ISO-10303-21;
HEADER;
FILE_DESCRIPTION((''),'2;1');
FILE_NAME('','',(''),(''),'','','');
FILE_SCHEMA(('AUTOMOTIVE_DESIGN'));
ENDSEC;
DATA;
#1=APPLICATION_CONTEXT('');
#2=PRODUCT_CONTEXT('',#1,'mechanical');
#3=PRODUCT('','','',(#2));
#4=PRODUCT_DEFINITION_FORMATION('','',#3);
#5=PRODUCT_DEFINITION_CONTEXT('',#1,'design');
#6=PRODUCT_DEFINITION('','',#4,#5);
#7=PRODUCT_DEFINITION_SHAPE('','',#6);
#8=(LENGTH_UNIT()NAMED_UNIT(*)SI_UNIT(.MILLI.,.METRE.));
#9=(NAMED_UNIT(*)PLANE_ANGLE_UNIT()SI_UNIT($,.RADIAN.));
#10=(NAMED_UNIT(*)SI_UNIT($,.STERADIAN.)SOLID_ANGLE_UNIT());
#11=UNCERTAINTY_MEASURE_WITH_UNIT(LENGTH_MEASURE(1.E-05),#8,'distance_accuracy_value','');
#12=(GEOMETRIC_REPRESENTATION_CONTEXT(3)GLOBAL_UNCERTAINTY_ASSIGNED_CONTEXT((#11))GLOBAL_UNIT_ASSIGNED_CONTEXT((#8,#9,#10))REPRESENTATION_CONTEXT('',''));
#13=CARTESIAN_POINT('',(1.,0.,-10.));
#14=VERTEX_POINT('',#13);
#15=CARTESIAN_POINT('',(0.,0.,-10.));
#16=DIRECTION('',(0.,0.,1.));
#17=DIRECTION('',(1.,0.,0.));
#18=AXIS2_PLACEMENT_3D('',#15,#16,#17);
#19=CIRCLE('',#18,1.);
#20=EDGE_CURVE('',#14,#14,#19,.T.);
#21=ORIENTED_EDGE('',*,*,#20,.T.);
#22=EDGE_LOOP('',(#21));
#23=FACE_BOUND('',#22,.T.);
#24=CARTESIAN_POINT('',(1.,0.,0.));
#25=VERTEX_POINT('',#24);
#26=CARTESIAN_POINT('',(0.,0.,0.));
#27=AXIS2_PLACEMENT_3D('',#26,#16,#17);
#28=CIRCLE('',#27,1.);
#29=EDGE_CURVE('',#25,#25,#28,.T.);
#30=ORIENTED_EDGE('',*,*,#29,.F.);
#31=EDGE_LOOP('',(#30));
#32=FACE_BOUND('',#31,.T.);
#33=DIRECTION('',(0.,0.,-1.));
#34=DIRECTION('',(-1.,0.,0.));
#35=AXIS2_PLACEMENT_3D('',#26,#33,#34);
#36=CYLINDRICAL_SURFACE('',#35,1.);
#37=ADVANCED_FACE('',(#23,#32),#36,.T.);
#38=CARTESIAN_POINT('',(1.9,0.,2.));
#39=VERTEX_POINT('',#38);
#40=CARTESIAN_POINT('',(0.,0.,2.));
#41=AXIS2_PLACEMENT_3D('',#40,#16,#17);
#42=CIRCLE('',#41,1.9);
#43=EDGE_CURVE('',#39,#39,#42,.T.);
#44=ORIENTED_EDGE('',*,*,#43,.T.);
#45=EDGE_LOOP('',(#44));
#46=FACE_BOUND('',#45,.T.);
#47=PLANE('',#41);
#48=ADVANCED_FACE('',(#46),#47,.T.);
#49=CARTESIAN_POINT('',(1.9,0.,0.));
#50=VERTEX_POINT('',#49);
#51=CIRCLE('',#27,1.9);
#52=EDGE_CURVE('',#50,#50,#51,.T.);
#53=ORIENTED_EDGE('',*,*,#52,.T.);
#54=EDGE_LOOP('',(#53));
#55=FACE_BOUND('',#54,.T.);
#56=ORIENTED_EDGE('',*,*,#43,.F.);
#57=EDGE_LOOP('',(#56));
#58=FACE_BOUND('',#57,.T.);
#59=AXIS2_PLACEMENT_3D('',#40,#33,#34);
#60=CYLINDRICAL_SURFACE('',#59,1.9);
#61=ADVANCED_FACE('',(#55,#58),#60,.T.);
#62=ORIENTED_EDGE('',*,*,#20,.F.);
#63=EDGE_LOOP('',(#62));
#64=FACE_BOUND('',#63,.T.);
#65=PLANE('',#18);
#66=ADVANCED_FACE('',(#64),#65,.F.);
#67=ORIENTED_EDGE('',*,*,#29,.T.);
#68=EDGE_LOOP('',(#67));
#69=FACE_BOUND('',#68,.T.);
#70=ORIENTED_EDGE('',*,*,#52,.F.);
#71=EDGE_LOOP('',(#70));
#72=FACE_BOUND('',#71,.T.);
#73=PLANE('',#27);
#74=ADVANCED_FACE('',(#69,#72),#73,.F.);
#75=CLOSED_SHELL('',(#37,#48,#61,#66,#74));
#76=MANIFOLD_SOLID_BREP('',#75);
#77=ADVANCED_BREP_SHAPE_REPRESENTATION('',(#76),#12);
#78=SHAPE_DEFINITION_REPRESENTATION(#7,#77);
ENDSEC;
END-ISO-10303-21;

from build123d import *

# Parameters (mm, degrees)
SHANK_NOMINAL_THREAD_ENVELOPE_START     = -10
SHANK_NOMINAL_THREAD_ENVELOPE_PROFILE_R = 1
SHANK_NOMINAL_THREAD_ENVELOPE_DEPTH     = 10
SOCKET_HEAD_ENVELOPE_PROFILE_R          = 1.9
SOCKET_HEAD_ENVELOPE_DEPTH              = 2


with BuildPart() as part:
    # Shank_nominal_thread_envelope_profile → Shank_nominal_thread_envelope (new body)
    with BuildSketch(Plane.XY.offset(SHANK_NOMINAL_THREAD_ENVELOPE_START)):
        Circle(SHANK_NOMINAL_THREAD_ENVELOPE_PROFILE_R)
    extrude(amount=SHANK_NOMINAL_THREAD_ENVELOPE_DEPTH)

    # Socket_head_envelope_profile → Socket_head_envelope (add)
    with BuildSketch(Plane.XY):
        Circle(SOCKET_HEAD_ENVELOPE_PROFILE_R)
    extrude(amount=SOCKET_HEAD_ENVELOPE_DEPTH)


solid = part.part
